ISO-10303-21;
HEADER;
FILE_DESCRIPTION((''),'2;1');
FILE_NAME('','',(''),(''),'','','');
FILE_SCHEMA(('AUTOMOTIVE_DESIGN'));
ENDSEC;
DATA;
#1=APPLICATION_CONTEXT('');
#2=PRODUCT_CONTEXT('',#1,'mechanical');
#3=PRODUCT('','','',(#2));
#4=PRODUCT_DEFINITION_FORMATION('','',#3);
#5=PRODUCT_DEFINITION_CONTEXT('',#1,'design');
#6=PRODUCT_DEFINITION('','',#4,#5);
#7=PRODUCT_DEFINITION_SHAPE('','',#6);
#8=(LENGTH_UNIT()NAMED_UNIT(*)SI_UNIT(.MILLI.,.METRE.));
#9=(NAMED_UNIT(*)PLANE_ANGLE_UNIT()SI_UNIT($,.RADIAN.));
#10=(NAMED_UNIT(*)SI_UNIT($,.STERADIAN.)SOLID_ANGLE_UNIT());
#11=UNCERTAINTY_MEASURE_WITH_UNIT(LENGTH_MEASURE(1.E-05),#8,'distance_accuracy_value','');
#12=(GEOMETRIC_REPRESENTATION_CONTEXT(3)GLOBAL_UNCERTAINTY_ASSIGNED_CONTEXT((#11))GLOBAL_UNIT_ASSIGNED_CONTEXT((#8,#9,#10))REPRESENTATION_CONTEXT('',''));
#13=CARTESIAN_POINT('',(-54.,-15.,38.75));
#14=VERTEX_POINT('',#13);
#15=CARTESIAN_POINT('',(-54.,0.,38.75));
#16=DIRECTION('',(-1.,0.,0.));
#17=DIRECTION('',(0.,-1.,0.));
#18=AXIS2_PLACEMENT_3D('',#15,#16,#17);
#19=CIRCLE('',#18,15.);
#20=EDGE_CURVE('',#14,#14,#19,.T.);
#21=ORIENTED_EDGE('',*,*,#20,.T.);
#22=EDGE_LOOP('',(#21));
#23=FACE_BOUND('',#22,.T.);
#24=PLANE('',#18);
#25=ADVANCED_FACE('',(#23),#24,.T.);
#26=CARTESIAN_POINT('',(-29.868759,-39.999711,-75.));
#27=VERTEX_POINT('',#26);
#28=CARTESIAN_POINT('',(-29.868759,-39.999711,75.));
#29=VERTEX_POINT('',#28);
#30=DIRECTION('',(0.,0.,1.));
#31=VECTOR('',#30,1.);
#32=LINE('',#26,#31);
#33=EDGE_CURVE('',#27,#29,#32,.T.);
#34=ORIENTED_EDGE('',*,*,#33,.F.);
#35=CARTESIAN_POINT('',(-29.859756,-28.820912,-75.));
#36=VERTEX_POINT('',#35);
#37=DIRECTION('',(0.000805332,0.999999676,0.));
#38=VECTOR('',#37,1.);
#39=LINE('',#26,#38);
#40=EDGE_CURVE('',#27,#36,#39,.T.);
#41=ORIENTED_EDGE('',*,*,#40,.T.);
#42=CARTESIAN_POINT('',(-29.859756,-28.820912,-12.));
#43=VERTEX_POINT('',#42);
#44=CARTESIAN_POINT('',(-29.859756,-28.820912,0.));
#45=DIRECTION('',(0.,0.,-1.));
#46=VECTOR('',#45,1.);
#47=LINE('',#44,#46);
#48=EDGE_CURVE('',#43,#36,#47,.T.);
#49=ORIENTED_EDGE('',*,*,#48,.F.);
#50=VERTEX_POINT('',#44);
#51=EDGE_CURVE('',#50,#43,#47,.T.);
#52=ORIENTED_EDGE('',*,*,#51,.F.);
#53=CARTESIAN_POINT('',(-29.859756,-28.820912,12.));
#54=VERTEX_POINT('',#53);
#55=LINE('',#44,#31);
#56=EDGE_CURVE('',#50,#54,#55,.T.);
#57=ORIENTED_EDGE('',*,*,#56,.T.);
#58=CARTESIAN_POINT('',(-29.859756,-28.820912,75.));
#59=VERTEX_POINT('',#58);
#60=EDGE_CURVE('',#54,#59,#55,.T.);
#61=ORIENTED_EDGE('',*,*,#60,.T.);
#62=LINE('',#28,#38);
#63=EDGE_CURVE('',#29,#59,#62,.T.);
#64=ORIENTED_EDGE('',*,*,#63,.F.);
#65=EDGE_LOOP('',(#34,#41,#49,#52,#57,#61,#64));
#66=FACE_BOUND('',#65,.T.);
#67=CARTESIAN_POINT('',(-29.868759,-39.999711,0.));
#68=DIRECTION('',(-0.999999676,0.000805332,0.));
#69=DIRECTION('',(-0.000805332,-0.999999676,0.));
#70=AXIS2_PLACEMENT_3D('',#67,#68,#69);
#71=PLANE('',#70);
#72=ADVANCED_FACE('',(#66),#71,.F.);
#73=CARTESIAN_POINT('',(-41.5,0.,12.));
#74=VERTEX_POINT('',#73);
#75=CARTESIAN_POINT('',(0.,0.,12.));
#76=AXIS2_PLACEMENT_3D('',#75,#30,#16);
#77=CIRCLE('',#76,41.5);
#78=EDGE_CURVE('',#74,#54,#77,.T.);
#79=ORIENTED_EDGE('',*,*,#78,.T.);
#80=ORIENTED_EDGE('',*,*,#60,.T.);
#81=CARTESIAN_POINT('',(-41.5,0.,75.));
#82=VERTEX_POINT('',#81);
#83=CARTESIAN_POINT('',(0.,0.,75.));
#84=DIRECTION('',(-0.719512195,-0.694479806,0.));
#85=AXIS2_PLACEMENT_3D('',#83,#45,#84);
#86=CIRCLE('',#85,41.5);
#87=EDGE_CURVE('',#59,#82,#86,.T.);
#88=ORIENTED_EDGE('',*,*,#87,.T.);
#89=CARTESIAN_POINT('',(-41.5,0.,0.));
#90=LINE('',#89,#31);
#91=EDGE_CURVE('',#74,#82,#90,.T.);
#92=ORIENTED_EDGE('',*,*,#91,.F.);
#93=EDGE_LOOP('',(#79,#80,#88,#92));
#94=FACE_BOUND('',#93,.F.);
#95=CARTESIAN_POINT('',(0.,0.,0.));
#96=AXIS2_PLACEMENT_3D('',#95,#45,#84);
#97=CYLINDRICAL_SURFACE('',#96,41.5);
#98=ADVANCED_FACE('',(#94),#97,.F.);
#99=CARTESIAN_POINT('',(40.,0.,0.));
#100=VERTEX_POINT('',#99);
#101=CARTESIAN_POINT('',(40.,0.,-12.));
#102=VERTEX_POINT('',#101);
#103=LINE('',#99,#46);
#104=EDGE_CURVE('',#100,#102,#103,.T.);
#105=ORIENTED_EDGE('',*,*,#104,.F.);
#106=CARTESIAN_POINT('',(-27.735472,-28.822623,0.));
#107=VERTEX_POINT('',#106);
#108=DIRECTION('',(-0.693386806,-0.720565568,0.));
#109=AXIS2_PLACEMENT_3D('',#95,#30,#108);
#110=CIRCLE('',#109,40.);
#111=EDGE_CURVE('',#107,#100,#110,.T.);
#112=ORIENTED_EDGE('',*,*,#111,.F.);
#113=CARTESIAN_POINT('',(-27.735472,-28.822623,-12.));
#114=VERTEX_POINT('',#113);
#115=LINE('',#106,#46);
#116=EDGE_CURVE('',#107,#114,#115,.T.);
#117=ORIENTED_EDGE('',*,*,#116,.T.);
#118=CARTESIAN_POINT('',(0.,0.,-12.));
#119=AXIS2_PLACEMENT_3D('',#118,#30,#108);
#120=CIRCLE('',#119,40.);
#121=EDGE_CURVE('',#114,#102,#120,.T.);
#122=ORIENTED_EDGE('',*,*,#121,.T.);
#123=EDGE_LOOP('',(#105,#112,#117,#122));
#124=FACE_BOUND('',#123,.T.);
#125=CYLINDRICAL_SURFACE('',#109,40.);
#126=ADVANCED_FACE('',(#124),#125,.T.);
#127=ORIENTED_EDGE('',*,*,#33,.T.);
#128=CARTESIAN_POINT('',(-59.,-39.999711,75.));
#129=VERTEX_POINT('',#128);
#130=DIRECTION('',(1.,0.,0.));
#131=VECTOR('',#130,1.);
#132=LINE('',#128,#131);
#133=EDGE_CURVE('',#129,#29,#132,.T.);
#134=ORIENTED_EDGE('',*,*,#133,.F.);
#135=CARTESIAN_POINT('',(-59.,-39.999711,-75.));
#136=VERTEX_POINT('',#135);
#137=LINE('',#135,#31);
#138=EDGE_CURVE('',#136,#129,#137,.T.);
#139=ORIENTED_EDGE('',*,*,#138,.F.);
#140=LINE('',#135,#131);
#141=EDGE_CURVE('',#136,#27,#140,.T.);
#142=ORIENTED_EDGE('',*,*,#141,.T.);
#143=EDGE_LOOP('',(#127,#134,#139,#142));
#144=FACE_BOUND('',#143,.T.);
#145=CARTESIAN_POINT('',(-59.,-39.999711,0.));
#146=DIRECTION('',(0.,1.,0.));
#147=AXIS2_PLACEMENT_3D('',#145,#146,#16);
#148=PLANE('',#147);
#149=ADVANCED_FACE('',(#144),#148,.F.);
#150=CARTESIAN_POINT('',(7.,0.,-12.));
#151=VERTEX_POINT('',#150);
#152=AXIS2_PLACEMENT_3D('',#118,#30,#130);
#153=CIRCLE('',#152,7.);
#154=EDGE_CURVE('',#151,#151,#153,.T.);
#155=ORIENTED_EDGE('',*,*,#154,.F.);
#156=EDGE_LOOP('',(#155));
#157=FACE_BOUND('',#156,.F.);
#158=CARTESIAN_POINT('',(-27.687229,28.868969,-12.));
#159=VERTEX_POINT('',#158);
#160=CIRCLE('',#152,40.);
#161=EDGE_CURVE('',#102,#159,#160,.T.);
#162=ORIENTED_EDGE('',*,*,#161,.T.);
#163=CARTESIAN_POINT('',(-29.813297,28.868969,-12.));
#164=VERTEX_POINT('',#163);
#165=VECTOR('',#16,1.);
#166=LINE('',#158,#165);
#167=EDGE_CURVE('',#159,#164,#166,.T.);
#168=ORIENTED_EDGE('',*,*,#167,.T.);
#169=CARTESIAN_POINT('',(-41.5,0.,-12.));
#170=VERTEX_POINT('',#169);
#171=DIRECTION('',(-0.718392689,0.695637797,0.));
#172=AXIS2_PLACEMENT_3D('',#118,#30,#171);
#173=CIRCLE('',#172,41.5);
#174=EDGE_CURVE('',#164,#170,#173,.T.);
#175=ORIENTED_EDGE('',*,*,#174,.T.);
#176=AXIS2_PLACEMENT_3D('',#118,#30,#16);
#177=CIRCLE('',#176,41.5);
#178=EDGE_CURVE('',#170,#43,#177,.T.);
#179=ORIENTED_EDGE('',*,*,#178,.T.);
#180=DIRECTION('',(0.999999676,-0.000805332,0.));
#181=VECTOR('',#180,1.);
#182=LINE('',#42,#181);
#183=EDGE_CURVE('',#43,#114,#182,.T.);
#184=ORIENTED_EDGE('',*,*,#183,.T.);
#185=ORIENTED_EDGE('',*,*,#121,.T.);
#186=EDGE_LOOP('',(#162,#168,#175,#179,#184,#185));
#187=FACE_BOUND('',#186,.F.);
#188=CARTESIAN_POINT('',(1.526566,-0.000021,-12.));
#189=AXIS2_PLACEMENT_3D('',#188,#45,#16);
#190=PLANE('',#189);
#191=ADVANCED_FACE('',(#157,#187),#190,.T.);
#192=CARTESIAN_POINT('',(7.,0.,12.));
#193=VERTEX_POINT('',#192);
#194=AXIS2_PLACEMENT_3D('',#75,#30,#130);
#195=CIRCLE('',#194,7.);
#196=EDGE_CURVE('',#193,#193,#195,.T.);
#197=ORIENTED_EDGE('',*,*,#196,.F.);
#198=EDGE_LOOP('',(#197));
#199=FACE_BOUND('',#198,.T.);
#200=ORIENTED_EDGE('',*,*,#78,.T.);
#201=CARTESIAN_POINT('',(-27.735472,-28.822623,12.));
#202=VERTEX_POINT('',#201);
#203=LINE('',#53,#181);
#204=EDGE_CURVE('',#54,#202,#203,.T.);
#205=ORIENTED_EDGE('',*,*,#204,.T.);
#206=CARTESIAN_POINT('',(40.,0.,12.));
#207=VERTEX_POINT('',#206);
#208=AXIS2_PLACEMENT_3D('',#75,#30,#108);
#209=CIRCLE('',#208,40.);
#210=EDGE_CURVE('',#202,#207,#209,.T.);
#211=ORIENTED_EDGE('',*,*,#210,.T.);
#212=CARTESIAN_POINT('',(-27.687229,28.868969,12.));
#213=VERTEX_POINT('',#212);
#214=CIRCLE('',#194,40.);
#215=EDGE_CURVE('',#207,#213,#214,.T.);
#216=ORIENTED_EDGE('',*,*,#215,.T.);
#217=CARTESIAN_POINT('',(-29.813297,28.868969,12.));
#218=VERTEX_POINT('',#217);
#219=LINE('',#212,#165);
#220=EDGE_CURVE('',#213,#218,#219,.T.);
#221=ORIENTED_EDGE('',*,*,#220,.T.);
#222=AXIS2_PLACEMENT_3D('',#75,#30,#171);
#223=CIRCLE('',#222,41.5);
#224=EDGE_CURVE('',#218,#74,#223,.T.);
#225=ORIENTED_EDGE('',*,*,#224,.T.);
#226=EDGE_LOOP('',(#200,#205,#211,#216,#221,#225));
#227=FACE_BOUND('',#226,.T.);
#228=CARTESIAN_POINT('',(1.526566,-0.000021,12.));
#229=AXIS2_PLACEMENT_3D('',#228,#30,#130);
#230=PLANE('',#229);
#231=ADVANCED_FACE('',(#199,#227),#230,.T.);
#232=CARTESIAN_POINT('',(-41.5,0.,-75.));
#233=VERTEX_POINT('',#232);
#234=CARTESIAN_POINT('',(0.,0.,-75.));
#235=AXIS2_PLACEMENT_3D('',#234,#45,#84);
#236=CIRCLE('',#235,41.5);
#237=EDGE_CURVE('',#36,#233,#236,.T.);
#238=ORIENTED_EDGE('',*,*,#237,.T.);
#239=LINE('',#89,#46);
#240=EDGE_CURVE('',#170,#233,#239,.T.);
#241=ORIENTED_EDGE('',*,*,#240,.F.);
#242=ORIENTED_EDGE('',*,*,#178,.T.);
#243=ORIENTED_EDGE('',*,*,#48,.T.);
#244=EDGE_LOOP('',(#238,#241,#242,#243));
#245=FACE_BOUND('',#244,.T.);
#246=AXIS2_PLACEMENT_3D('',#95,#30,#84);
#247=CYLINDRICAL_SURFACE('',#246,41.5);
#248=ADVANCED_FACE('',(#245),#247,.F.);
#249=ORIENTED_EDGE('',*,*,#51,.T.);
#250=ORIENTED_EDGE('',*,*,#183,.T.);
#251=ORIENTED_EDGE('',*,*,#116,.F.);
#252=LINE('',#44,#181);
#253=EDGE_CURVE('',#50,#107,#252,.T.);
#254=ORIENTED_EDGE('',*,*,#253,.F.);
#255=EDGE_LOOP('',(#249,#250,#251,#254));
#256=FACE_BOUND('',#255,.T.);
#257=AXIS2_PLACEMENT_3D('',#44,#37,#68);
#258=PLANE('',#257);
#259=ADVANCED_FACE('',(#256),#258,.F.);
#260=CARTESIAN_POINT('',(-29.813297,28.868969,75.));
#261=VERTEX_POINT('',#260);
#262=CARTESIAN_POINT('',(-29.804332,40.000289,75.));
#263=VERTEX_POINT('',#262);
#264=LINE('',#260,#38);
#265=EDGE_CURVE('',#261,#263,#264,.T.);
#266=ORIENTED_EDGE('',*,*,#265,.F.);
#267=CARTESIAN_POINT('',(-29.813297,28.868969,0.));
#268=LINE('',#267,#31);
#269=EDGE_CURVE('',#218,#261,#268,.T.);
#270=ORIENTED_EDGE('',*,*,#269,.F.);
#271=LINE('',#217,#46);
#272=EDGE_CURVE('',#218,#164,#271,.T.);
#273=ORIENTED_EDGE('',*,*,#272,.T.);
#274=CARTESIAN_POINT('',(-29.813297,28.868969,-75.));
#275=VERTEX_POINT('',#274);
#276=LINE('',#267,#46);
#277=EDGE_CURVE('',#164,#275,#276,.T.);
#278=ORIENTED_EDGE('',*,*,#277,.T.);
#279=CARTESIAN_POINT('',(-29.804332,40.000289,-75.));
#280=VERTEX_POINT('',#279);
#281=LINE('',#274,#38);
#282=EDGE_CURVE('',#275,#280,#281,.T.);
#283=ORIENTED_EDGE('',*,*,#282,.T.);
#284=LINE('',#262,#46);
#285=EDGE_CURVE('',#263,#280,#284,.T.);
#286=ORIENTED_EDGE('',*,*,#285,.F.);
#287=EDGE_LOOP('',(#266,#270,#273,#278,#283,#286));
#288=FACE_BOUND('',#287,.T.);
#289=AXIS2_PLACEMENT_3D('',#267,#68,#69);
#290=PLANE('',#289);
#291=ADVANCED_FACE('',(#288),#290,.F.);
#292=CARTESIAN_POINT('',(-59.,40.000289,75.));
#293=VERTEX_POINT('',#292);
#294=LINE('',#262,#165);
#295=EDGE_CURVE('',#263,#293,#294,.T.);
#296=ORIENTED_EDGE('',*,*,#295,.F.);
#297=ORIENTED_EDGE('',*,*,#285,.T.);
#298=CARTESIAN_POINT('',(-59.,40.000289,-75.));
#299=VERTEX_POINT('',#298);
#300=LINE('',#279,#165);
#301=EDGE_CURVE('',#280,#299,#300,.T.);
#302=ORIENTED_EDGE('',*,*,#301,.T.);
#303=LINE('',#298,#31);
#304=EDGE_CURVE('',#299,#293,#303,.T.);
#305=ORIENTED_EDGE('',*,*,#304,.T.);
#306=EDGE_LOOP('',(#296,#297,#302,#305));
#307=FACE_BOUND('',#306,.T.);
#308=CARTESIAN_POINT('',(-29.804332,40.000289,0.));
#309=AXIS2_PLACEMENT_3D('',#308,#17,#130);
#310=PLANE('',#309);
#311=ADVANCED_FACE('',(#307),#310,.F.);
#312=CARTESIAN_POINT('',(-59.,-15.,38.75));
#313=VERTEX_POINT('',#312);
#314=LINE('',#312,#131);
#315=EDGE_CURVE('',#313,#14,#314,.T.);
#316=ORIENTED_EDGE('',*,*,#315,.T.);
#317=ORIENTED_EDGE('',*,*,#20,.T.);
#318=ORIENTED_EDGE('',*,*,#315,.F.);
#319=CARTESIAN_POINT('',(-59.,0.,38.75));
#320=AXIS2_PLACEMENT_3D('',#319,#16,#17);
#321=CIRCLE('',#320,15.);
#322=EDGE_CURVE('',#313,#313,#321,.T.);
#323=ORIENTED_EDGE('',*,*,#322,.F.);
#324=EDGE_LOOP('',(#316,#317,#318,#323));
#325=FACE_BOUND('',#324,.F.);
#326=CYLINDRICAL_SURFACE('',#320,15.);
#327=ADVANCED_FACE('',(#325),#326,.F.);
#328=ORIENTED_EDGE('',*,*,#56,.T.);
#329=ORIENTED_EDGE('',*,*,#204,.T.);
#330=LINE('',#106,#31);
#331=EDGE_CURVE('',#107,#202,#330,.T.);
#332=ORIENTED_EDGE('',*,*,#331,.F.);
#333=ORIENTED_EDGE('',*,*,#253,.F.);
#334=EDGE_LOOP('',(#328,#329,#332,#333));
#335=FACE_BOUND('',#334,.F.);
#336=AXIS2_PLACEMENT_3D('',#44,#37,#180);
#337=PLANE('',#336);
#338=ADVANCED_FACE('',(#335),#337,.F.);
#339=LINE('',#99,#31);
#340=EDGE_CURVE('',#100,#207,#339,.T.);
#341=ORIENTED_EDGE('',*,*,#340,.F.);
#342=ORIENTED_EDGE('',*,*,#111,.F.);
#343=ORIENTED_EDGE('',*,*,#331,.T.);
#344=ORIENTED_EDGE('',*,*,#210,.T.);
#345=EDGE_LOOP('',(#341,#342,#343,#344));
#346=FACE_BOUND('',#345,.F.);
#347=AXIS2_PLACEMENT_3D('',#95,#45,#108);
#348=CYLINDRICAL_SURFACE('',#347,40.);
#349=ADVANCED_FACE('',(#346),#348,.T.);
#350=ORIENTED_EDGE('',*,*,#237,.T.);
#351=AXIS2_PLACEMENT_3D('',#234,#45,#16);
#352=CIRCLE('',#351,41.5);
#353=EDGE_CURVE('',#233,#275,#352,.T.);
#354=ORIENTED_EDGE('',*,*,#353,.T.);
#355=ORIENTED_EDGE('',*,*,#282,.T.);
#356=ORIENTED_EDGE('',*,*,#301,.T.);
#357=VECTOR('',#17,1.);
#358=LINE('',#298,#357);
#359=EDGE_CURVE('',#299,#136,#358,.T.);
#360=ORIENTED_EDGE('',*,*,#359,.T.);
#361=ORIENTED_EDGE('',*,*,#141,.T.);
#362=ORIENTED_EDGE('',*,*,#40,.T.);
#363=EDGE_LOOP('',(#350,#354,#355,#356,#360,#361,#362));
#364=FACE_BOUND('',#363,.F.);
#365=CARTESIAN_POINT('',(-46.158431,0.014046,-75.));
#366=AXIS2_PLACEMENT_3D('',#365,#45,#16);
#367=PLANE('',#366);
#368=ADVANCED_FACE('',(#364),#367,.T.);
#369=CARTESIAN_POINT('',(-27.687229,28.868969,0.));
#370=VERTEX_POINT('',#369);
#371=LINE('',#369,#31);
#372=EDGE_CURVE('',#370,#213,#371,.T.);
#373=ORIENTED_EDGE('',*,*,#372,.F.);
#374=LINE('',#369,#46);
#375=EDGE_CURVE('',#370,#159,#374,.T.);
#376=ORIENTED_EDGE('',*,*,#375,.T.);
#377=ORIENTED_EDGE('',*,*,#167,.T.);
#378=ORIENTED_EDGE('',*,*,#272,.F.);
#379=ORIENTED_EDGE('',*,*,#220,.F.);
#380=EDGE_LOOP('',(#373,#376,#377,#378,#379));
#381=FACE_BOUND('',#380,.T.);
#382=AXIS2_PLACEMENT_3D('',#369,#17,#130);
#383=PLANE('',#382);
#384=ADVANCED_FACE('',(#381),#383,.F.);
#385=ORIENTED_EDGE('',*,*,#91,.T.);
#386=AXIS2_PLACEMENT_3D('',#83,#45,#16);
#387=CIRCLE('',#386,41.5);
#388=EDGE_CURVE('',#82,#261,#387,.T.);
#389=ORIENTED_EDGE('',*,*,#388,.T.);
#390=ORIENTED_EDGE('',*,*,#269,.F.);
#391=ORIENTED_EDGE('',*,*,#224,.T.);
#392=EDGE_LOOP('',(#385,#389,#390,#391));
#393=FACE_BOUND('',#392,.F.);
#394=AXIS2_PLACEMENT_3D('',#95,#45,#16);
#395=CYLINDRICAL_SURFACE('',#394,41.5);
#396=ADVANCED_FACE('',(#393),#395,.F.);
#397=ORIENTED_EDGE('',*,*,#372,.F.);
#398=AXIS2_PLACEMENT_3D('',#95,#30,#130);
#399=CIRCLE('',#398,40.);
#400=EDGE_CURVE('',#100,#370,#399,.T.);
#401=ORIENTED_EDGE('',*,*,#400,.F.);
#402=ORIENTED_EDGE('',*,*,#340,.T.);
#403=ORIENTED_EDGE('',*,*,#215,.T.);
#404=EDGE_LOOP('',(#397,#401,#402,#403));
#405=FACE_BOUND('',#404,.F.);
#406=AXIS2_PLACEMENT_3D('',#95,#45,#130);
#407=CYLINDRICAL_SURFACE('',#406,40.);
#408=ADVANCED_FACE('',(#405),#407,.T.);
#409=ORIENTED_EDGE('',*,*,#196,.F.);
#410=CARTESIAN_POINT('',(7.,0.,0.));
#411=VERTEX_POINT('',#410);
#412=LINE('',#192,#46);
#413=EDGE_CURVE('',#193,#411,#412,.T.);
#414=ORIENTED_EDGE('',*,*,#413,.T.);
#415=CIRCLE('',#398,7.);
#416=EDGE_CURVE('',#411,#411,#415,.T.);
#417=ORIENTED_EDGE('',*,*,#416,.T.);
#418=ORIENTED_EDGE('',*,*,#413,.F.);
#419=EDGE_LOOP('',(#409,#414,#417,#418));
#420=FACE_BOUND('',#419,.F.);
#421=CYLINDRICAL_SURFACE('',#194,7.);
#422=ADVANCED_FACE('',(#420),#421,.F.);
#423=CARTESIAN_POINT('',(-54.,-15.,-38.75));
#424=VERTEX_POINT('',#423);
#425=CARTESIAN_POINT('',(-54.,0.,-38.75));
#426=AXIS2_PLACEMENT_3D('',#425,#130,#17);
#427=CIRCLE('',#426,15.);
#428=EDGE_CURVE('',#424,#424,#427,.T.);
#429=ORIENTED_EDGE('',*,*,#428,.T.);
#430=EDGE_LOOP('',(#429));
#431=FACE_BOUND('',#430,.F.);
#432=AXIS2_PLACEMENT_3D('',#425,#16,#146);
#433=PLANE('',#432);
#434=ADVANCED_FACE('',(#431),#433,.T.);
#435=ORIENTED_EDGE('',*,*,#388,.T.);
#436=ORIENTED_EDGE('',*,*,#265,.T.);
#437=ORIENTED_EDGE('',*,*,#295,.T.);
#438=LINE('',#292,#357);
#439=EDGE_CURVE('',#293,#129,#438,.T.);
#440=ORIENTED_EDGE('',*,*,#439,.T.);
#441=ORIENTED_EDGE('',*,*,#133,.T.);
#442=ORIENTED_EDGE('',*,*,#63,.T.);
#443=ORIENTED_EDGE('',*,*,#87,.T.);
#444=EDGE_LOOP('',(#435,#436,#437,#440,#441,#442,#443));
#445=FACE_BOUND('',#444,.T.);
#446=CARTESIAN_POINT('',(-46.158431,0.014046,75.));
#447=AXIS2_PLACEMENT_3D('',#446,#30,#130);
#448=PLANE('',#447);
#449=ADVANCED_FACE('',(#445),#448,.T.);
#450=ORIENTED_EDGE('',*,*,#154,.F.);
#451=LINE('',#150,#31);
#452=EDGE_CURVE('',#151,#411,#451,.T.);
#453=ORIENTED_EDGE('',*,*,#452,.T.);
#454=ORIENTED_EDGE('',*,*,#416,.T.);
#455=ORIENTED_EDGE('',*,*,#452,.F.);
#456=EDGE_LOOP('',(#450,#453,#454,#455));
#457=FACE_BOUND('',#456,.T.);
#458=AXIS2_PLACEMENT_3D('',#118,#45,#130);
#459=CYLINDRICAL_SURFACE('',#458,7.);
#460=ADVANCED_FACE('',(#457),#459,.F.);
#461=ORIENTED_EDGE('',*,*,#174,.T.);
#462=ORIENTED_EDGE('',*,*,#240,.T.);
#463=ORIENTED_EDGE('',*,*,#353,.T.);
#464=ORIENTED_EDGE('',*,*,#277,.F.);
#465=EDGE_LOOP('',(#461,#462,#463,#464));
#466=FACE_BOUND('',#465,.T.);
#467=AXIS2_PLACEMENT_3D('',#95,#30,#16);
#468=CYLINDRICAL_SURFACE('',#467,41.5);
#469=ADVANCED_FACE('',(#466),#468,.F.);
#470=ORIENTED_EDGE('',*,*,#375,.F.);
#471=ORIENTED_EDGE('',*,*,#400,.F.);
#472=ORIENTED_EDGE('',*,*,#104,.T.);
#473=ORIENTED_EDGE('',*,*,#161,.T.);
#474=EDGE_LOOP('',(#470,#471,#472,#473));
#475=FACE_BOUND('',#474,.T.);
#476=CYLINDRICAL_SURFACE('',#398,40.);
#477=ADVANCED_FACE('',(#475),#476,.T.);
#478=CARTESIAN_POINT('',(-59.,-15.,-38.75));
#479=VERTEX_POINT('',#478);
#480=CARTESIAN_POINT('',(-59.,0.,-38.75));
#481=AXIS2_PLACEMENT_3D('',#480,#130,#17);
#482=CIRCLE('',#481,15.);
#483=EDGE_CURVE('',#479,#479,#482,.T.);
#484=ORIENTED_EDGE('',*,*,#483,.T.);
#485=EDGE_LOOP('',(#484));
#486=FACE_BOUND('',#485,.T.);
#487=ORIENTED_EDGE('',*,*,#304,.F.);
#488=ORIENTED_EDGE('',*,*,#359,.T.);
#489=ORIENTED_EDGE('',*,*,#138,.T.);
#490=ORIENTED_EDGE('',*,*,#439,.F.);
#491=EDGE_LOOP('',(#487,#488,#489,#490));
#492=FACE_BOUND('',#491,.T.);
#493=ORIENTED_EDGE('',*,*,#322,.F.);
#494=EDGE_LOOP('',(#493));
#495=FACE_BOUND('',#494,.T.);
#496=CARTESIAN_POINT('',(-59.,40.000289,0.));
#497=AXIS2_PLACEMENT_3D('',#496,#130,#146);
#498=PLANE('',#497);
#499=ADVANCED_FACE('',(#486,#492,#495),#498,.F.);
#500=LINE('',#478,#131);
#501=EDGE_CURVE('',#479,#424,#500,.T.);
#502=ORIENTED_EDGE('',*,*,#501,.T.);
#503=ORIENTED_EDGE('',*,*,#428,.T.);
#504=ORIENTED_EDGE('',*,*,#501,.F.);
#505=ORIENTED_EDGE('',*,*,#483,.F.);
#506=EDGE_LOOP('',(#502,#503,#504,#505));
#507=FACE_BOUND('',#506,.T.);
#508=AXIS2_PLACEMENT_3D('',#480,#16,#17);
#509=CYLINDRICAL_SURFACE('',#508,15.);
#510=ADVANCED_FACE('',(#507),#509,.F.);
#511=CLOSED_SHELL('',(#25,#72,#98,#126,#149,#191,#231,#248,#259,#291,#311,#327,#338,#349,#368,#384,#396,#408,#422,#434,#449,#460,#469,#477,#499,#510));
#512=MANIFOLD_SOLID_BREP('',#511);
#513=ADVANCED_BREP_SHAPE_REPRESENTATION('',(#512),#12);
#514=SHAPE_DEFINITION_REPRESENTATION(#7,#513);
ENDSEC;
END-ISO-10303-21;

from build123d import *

# Parameters (mm, degrees)
F1_DEPTH = 12
F2_DEPTH = 75
F3_R     = 7
F4_DEPTH = 25
F5_R     = 15
F6_DEPTH = 5


with BuildPart() as f1:
    # F0 (on Top) → F1 (new body)
    with BuildSketch(Plane.XY):
        with BuildLine():
            ThreePointArc((-27.6872290695, 28.8689685727), (-28.772246751, 27.7877278111), (-29.8150709224, 26.6657373026))
            Line((-29.8150709224, 26.6657373026), (-29.8579817649, -26.6176806827))
            ThreePointArc((-29.8579817649, -26.6176806827), (-28.8178231022, -27.7404591103), (-27.7354722388, -28.8226227067))
            ThreePointArc((-27.7354722388, -28.8226227067), (15.6617545385, -36.8063777731), (40, 0))
            ThreePointArc((40, 0), (15.6925274768, 36.7932681532), (-27.6872290695, 28.8689685727))
        make_face()
        with BuildLine():
            Line((-27.6872290695, 28.8689685727), (-29.8132965897, 28.8689685727))
            Line((-29.8132965897, 28.8689685727), (-29.8150709224, 26.6657373026))
            ThreePointArc((-29.8150709224, 26.6657373026), (-28.772246751, 27.7877278111), (-27.6872290695, 28.8689685727))
        make_face()
        with BuildLine():
            Line((-29.8150709224, 26.6657373026), (-29.8132965897, 28.8689685727))
            ThreePointArc((-29.8132965897, 28.8689685727), (-38.4675305191, 15.5723824691), (-41.5, 0))
            ThreePointArc((-41.5, 0), (-38.480058979, -15.5413982954), (-29.8597560976, -28.8209119529))
            Line((-29.8597560976, -28.8209119529), (-29.8579817649, -26.6176806827))
            ThreePointArc((-29.8579817649, -26.6176806827), (-39.9999870288, 0.0322132702), (-29.8150709224, 26.6657373026))
        make_face()
        with BuildLine():
            Line((-29.8579817649, -26.6176806827), (-29.8150709224, 26.6657373026))
            ThreePointArc((-29.8150709224, 26.6657373026), (-39.9999870288, 0.0322132702), (-29.8579817649, -26.6176806827))
        make_face()
        with BuildLine():
            Line((-29.8579817649, -26.6176806827), (-29.8597560976, -28.8209119529))
            Line((-29.8597560976, -28.8209119529), (-27.7354722388, -28.8226227067))
            ThreePointArc((-27.7354722388, -28.8226227067), (-28.8178231022, -27.7404591103), (-29.8579817649, -26.6176806827))
        make_face()
    extrude(amount=F1_DEPTH)

    # F0 (on Top) → F2 (join)
    with BuildSketch(Plane.XY):
        with BuildLine():
            Line((-29.8043321806, 40.0002894977), (-59, 40.0002894977))
            Line((-59, 40.0002894977), (-59, -39.9997105023))
            Line((-59, -39.9997105023), (-29.8687587419, -39.9997105023))
            Line((-29.8687587419, -39.9997105023), (-29.8597560976, -28.8209119529))
            ThreePointArc((-29.8597560976, -28.8209119529), (-38.480058979, -15.5413982954), (-41.5, 0))
            ThreePointArc((-41.5, 0), (-38.4675305191, 15.5723824691), (-29.8132965897, 28.8689685727))
            Line((-29.8132965897, 28.8689685727), (-29.8043321806, 40.0002894977))
        make_face()
    extrude(amount=F2_DEPTH)

    # F3 (on face) → F4 (cut)
    with BuildSketch(Plane.XY.offset(12)):
        Circle(F3_R)
    extrude(amount=-F4_DEPTH, mode=Mode.SUBTRACT)

    # F5 (on face) → F6 (cut)
    with BuildSketch(Plane(origin=(-59, 0, 0), x_dir=(0, -1, 0), z_dir=(-1, 0, 0))):
        with Locations((0, 38.75)):
            Circle(F5_R)
    extrude(amount=-F6_DEPTH, mode=Mode.SUBTRACT)

    # F7: F1 across plane


with BuildPart() as f1_1:
    add(f1.part)
    add(f1.part.mirror(Plane.XY))


solid = f1_1.part
